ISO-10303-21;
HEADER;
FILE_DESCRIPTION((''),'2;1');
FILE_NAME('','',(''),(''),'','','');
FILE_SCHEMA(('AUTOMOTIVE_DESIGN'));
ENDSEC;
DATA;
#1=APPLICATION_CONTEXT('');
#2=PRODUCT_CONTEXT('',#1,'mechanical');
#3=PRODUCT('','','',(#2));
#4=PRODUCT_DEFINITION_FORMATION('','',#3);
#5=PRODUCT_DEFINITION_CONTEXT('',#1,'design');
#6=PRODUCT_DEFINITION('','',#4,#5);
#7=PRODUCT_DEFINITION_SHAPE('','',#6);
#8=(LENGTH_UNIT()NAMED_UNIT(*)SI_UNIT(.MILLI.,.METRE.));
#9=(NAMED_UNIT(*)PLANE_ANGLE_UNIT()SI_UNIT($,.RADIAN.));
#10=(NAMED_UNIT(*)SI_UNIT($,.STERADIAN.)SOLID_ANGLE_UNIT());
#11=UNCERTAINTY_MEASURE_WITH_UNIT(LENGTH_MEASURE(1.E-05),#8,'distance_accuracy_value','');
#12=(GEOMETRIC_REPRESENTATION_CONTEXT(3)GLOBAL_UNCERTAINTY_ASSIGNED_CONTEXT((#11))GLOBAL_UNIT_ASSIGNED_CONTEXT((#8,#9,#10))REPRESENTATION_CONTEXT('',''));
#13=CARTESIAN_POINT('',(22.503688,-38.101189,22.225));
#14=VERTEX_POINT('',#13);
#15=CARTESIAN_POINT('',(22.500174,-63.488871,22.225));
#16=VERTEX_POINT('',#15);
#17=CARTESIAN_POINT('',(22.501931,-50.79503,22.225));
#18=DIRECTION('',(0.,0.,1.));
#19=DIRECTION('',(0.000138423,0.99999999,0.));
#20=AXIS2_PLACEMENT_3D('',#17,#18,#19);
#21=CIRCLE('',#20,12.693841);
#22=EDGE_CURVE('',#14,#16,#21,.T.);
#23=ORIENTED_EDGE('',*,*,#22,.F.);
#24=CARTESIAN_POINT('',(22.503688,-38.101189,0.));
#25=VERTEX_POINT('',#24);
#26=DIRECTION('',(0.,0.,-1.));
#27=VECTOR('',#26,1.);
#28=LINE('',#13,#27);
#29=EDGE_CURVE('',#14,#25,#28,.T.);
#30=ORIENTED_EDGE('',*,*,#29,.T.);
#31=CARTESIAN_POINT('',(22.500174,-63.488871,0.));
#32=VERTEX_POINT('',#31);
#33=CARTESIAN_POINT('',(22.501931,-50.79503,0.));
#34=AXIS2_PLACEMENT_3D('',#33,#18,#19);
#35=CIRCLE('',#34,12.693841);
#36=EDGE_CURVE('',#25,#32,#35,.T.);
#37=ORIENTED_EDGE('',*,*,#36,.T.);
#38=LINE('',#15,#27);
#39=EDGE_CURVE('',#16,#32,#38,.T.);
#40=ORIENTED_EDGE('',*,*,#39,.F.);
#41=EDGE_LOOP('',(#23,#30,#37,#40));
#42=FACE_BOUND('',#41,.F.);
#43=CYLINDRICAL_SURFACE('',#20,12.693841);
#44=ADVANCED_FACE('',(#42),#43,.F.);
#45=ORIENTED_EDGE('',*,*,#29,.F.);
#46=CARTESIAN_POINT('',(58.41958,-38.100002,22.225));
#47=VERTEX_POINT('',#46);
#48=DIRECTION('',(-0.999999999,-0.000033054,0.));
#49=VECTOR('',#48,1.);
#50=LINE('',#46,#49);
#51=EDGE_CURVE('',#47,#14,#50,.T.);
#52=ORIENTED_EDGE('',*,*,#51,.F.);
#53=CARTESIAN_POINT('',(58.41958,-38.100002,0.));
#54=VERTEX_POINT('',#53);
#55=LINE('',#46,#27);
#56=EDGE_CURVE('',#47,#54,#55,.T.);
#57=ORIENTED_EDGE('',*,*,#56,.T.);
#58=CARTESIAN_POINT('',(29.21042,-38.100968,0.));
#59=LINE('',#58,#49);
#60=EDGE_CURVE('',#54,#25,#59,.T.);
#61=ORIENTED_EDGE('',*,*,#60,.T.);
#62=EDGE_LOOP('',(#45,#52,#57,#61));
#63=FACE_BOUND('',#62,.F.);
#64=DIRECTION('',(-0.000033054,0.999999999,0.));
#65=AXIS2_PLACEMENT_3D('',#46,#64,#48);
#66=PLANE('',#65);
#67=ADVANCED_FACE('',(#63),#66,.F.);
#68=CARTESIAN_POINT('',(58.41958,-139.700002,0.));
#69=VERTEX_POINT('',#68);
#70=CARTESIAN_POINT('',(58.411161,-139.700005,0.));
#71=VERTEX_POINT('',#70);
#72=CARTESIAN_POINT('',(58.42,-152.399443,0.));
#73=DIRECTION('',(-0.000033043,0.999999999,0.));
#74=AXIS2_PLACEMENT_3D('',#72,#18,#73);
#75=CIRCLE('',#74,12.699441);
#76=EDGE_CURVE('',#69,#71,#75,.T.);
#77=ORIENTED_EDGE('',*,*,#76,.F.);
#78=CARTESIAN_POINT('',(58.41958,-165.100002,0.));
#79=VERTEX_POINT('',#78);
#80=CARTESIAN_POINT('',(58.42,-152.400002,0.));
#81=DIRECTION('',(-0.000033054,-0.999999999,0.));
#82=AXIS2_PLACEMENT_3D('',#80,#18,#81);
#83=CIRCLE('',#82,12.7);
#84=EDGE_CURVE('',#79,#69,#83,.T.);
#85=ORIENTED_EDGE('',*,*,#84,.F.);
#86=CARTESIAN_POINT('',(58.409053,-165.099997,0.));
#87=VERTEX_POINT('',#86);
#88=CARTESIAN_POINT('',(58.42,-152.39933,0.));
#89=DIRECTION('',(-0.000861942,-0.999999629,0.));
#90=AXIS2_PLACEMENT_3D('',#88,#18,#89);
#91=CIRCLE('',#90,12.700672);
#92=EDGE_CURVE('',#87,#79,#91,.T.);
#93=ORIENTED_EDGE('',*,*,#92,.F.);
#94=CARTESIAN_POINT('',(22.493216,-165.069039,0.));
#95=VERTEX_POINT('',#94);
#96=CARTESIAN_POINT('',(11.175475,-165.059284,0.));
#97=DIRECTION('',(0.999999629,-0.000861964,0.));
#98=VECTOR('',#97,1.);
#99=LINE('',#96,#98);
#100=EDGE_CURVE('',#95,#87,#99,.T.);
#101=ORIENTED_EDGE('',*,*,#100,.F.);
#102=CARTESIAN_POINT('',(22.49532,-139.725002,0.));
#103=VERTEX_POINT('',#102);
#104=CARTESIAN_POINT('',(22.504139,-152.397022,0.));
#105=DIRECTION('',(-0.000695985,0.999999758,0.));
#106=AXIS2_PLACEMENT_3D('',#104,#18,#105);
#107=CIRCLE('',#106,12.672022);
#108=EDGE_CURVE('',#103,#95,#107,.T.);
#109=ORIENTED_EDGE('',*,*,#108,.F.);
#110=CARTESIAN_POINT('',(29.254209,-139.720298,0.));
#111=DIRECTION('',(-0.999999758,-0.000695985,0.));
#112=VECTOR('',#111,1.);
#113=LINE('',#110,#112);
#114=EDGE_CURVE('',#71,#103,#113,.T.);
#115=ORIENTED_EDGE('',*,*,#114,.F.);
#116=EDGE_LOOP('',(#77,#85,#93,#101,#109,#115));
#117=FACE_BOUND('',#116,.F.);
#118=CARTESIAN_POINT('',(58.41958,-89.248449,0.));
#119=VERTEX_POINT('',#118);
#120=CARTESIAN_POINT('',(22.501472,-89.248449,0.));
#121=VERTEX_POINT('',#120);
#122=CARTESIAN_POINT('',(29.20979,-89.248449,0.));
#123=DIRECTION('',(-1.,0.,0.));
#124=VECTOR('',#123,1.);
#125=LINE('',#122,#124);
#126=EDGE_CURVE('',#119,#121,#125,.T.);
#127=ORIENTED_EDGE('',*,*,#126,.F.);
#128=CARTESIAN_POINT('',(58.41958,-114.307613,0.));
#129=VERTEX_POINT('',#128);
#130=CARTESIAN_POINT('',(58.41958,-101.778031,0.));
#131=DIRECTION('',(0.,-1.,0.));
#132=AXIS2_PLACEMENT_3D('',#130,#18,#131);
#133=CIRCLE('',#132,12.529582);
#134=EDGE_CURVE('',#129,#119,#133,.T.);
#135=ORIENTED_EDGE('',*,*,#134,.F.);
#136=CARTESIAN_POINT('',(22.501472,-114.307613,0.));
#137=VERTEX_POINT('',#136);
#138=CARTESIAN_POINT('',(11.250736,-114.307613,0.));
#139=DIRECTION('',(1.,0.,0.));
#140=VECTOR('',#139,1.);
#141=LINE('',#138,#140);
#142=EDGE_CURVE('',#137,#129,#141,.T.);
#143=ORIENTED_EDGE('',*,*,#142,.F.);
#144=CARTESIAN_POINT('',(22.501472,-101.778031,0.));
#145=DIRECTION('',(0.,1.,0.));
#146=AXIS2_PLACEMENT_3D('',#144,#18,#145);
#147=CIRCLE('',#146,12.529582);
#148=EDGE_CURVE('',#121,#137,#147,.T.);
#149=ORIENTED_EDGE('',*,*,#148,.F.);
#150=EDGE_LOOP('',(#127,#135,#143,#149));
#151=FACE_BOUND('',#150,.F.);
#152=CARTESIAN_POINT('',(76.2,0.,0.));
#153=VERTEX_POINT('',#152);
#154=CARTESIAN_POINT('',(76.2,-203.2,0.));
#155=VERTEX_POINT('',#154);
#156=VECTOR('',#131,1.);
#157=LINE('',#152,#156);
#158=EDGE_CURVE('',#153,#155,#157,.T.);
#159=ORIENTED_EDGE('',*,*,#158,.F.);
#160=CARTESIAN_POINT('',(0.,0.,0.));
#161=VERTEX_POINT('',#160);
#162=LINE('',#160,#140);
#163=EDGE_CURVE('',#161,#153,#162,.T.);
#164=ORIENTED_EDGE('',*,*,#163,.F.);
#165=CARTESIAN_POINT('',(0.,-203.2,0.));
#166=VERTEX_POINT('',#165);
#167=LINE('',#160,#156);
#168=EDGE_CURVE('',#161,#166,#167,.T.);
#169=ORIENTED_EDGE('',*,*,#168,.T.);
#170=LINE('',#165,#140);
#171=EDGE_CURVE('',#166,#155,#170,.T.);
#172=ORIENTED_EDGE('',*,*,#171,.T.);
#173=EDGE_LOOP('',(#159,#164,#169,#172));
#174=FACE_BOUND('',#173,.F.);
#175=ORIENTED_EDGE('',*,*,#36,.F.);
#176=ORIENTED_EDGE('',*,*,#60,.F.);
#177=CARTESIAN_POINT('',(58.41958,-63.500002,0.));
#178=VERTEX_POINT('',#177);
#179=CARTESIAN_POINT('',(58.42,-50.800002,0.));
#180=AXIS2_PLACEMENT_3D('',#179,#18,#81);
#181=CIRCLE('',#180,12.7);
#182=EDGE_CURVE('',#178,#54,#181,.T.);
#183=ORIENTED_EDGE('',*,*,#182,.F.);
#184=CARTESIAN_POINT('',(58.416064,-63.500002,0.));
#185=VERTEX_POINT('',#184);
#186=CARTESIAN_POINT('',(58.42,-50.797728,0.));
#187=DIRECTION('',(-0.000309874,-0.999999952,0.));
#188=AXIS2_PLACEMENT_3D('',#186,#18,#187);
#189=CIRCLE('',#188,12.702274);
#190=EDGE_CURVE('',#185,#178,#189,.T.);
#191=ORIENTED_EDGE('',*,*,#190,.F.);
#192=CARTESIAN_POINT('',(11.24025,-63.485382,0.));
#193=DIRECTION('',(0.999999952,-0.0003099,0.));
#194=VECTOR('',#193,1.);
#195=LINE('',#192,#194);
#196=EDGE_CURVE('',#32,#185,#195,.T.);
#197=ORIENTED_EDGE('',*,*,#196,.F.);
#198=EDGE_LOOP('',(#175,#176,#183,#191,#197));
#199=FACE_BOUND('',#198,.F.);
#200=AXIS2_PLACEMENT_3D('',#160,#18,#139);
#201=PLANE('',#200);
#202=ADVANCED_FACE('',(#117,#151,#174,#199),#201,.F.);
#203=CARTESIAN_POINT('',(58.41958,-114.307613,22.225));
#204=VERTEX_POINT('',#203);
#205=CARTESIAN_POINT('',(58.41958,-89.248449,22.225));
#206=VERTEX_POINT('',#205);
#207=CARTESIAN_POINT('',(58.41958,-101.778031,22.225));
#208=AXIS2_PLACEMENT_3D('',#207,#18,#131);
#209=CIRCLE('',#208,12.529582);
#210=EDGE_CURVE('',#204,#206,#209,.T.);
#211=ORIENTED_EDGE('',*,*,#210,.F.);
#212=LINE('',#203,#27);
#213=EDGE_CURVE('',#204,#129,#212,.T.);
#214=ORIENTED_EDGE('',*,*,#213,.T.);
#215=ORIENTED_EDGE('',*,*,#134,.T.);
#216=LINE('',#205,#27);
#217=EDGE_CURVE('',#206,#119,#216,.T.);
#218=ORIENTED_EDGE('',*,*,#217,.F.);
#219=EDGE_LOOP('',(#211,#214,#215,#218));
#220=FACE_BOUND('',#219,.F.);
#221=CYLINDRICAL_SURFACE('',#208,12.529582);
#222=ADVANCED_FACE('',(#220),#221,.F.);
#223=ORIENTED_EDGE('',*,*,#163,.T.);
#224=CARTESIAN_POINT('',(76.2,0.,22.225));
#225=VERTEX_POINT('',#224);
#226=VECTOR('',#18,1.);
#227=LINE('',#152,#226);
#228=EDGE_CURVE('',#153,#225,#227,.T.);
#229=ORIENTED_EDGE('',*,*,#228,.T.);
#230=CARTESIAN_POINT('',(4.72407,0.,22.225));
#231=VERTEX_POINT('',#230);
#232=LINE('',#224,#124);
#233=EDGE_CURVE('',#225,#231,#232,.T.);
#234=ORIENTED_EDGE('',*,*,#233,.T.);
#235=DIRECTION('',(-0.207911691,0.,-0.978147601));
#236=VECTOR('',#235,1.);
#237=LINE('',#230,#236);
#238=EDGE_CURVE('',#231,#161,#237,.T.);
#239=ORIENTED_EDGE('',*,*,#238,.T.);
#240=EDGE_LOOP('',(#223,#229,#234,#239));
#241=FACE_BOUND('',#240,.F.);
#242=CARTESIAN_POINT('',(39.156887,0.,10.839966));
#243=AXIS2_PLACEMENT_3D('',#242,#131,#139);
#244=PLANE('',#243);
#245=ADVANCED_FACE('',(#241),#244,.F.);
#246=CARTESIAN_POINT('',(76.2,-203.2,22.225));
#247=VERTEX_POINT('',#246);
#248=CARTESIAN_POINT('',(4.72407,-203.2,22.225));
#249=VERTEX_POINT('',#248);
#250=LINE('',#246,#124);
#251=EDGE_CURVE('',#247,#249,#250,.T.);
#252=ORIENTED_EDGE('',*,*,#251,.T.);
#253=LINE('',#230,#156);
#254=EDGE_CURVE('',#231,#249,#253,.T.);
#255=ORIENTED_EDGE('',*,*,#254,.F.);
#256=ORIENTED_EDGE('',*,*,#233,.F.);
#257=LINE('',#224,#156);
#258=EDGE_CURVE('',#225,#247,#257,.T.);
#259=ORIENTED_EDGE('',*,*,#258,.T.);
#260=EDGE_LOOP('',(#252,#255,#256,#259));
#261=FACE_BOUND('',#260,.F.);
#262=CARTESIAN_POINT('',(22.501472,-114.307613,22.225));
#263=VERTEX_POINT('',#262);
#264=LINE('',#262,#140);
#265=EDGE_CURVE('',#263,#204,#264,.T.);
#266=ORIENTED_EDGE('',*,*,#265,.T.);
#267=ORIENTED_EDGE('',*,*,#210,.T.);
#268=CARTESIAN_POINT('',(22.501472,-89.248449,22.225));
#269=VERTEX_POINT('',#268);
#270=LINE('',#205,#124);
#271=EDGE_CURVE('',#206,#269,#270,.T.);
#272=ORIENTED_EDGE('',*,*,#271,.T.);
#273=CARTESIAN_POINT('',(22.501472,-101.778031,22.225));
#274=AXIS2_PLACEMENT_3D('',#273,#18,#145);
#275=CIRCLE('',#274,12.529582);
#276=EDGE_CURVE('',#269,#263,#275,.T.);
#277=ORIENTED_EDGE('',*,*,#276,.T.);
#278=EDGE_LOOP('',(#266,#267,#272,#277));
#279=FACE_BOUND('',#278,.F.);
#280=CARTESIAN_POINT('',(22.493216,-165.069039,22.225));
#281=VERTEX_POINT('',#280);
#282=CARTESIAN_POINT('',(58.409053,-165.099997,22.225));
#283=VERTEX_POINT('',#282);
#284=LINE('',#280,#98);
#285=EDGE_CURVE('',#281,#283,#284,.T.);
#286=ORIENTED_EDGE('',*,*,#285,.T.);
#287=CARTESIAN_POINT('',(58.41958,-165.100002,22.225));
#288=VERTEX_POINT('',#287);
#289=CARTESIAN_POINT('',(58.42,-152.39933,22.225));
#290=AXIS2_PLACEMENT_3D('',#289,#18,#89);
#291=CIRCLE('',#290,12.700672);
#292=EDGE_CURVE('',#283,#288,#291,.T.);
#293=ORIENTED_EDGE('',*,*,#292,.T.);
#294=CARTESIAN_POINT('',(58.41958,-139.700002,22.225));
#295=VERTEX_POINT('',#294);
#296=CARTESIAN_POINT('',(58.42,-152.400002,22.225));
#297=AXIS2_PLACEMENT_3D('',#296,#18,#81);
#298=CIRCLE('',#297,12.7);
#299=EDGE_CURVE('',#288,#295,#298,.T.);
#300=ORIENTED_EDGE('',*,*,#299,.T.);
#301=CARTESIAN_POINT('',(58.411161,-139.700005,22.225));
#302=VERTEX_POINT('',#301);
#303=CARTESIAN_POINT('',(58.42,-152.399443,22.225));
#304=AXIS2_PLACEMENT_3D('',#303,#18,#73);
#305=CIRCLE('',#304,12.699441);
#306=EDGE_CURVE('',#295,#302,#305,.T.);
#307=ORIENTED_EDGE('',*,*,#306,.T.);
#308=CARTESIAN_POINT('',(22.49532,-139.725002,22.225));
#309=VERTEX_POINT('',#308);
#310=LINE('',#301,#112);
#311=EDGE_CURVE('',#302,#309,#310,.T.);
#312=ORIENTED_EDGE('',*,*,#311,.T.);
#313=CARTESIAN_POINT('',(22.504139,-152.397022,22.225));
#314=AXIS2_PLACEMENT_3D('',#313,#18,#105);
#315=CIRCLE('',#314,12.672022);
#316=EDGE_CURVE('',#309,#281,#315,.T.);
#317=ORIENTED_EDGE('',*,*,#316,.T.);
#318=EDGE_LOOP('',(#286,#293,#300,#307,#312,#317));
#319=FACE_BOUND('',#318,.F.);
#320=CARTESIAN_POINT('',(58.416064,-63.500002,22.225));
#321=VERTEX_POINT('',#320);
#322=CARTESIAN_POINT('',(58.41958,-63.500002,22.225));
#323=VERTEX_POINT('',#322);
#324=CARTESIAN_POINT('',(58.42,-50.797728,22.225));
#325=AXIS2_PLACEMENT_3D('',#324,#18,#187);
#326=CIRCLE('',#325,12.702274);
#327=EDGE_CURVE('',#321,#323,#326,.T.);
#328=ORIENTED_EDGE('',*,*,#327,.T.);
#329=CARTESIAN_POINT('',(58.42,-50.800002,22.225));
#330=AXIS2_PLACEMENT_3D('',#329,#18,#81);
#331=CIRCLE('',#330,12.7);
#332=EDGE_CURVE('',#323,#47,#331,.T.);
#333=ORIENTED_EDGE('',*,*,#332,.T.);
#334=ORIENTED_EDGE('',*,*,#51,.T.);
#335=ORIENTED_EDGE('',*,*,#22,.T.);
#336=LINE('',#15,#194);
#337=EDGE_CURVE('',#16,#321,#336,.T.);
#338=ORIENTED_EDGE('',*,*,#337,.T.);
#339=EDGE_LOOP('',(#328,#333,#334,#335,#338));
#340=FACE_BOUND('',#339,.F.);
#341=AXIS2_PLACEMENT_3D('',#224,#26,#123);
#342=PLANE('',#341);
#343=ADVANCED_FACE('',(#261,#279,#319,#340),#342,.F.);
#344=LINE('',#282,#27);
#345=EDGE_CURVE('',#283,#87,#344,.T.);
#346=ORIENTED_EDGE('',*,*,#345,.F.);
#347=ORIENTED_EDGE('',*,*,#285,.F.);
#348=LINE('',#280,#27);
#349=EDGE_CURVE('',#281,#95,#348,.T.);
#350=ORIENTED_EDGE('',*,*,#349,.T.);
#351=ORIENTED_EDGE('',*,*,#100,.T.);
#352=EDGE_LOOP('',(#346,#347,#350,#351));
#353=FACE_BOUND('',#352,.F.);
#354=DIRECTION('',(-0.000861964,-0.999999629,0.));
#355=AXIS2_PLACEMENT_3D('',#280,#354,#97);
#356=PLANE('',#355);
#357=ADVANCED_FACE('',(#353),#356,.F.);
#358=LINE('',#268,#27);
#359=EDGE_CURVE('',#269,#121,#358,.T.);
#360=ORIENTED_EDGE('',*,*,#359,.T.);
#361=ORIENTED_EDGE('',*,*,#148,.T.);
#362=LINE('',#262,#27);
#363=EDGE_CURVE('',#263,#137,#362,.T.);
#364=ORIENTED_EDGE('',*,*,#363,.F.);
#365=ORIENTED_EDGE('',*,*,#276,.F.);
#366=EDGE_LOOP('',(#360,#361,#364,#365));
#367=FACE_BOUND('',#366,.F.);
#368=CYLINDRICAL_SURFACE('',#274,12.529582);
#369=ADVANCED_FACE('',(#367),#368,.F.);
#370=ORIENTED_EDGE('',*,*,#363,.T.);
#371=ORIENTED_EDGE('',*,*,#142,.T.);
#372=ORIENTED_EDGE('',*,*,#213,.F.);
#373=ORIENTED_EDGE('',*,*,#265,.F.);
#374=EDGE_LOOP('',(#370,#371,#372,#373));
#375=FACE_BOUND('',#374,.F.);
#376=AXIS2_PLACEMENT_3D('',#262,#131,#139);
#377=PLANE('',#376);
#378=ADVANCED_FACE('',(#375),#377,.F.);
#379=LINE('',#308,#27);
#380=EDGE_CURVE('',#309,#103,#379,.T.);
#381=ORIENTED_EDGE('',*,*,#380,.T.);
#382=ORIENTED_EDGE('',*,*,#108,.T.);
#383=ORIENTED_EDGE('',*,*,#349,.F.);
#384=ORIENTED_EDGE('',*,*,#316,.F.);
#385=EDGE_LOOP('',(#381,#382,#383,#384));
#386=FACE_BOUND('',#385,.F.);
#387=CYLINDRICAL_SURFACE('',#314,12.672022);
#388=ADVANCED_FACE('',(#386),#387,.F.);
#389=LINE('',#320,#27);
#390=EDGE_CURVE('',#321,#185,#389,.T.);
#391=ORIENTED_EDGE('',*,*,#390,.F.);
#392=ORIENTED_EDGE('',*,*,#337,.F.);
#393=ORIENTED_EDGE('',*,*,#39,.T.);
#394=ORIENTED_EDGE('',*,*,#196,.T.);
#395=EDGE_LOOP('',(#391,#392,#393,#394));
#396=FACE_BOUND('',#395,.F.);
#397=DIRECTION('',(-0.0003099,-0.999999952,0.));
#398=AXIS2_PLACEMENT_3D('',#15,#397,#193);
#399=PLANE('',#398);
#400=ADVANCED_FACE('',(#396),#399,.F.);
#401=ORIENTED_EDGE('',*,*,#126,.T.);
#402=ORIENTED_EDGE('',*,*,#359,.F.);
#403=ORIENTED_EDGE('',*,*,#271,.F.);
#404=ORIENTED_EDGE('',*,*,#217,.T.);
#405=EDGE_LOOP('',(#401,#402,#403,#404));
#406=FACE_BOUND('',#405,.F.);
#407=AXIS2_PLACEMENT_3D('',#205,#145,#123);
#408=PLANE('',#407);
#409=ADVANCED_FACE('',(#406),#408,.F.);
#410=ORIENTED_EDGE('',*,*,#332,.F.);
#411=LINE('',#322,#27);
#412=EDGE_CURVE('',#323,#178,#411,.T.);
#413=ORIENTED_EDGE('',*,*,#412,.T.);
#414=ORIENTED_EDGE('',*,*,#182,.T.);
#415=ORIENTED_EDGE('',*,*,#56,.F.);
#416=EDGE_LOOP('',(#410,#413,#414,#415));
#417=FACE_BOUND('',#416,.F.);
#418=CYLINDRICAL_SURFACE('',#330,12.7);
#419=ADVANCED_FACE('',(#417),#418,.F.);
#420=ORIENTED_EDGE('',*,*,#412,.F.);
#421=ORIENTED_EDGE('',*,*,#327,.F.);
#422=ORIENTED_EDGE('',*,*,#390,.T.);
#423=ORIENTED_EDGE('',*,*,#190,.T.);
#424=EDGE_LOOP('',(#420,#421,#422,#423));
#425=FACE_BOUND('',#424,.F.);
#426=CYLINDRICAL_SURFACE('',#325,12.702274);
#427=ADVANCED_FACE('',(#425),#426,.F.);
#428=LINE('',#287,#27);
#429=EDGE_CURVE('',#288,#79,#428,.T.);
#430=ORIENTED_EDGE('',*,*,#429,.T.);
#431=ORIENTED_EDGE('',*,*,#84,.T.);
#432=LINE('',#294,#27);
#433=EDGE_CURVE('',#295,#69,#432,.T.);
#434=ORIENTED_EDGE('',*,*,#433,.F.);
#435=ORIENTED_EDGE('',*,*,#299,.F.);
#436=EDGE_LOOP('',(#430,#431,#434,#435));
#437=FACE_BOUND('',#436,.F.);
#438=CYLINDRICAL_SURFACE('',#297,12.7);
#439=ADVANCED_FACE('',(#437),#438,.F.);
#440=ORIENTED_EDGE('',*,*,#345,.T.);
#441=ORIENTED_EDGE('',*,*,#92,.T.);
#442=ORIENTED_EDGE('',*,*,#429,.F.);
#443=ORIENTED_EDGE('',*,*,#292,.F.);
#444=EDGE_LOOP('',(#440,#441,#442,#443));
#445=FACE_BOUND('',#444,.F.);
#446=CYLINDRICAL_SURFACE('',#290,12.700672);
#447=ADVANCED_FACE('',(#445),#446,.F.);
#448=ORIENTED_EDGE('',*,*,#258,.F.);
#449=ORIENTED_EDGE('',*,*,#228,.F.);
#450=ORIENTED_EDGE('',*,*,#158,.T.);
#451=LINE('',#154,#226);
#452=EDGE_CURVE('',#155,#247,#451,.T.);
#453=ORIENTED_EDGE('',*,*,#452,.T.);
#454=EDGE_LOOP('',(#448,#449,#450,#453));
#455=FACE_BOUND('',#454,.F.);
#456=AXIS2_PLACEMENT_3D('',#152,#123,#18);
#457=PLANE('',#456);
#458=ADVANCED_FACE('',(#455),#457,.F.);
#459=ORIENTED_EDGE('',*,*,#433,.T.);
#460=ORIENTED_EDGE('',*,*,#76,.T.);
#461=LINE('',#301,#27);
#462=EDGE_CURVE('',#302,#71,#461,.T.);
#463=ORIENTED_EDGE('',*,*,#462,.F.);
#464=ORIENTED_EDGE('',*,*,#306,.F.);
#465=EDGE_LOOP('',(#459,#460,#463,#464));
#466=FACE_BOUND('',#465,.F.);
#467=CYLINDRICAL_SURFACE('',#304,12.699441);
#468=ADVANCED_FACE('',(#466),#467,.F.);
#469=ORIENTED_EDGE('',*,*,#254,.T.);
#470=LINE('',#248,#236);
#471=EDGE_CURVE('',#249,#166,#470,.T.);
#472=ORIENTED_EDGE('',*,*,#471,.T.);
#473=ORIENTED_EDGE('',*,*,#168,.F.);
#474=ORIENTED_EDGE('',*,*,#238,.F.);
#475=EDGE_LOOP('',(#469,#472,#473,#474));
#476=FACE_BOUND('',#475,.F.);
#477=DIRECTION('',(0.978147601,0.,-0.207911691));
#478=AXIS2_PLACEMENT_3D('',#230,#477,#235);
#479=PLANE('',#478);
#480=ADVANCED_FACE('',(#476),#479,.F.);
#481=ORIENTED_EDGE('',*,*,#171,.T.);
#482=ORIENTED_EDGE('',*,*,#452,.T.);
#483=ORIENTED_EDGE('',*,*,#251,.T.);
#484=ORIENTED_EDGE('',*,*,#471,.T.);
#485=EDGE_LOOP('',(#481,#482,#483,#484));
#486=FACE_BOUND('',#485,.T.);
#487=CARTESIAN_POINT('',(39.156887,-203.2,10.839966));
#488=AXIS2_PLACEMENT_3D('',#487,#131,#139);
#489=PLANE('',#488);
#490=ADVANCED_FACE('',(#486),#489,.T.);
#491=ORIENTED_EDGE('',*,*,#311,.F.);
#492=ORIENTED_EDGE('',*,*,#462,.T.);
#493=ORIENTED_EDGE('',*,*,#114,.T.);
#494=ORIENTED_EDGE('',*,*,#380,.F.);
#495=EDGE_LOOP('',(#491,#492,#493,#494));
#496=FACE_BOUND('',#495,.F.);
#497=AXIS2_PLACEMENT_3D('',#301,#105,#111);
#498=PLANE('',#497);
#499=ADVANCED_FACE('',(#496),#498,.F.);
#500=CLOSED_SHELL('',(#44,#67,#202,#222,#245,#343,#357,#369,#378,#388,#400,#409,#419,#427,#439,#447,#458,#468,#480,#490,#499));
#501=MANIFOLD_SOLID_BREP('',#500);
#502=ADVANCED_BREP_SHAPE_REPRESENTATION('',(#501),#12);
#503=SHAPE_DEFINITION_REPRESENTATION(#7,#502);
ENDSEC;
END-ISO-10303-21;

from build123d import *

# Parameters (mm, degrees)
F1_DEPTH = 203.2
F2_DEPTH = 203.2
F4_DEPTH = 25.4


with BuildPart() as f1:
    # F0 (on Front) → F1 (new body)
    with BuildSketch(Plane.XZ):
        Polygon((4.7240695831, 22.225), (0, 0), (76.2, 0), (76.2, 22.225), align=None)
    extrude(amount=F1_DEPTH)

    # F0 (on Front) → F2 (join)
    with BuildSketch(Plane.XZ):
        Polygon((4.7240695831, 22.225), (0, 0), (76.2, 0), (76.2, 22.225), align=None)
    extrude(amount=F2_DEPTH)

    # F3 (on face) → F4 (cut)
    with BuildSketch(Plane.XY.offset(22.225)):
        with BuildLine():
            ThreePointArc((22.500173924, -63.4888712894), (9.8102666247, -50.7932735364), (22.5036881615, -38.1011894183))
            ThreePointArc((22.5036881615, -38.1011894183), (9.8080901072, -50.7932732351), (22.500173924, -63.4888712894))
        make_face()
        with BuildLine():
            Line((58.4195802106, -38.1000022454), (22.5036881615, -38.1011894183))
            ThreePointArc((22.5036881615, -38.1011894183), (9.8102666247, -50.7932735364), (22.500173924, -63.4888712894))
            Line((22.500173924, -63.4888712894), (58.416064268, -63.5000016286))
            ThreePointArc((58.416064268, -63.5000016286), (58.4178222393, -63.5000020517), (58.4195802106, -63.5000022315))
            ThreePointArc((58.4195802106, -63.5000022315), (71.1199999996, -50.8000022384), (58.4195802106, -38.1000022454))
        make_face()
        with BuildLine():
            Line((58.4195802106, -89.2484490539), (22.501472381, -89.2484490539))
            ThreePointArc((22.501472381, -89.2484490539), (9.9718902315, -101.7780312034), (22.501472381, -114.3076133529))
            Line((22.501472381, -114.3076133529), (58.4195802106, -114.3076133529))
            ThreePointArc((58.4195802106, -114.3076133529), (70.9491623601, -101.7780312034), (58.4195802106, -89.2484490539))
        make_face()
        with BuildLine():
            Line((58.4111609952, -139.7000054607), (22.4953197832, -139.7250023393))
            ThreePointArc((22.4953197832, -139.7250023393), (9.8321170384, -152.3959699434), (22.4932164886, -165.0690392045))
            Line((22.4932164886, -165.0690392045), (58.4090530569, -165.0999973742))
            ThreePointArc((58.4090530569, -165.0999973742), (58.4143166333, -165.1000008204), (58.4195802107, -165.1000020852))
            ThreePointArc((58.4195802107, -165.1000020852), (71.1199998532, -152.4000022384), (58.4195802107, -139.7000023917))
            ThreePointArc((58.4195802107, -139.7000023917), (58.4153706027, -139.7000032285), (58.4111609952, -139.7000054607))
        make_face()
    extrude(amount=-F4_DEPTH, mode=Mode.SUBTRACT)


solid = f1.part
